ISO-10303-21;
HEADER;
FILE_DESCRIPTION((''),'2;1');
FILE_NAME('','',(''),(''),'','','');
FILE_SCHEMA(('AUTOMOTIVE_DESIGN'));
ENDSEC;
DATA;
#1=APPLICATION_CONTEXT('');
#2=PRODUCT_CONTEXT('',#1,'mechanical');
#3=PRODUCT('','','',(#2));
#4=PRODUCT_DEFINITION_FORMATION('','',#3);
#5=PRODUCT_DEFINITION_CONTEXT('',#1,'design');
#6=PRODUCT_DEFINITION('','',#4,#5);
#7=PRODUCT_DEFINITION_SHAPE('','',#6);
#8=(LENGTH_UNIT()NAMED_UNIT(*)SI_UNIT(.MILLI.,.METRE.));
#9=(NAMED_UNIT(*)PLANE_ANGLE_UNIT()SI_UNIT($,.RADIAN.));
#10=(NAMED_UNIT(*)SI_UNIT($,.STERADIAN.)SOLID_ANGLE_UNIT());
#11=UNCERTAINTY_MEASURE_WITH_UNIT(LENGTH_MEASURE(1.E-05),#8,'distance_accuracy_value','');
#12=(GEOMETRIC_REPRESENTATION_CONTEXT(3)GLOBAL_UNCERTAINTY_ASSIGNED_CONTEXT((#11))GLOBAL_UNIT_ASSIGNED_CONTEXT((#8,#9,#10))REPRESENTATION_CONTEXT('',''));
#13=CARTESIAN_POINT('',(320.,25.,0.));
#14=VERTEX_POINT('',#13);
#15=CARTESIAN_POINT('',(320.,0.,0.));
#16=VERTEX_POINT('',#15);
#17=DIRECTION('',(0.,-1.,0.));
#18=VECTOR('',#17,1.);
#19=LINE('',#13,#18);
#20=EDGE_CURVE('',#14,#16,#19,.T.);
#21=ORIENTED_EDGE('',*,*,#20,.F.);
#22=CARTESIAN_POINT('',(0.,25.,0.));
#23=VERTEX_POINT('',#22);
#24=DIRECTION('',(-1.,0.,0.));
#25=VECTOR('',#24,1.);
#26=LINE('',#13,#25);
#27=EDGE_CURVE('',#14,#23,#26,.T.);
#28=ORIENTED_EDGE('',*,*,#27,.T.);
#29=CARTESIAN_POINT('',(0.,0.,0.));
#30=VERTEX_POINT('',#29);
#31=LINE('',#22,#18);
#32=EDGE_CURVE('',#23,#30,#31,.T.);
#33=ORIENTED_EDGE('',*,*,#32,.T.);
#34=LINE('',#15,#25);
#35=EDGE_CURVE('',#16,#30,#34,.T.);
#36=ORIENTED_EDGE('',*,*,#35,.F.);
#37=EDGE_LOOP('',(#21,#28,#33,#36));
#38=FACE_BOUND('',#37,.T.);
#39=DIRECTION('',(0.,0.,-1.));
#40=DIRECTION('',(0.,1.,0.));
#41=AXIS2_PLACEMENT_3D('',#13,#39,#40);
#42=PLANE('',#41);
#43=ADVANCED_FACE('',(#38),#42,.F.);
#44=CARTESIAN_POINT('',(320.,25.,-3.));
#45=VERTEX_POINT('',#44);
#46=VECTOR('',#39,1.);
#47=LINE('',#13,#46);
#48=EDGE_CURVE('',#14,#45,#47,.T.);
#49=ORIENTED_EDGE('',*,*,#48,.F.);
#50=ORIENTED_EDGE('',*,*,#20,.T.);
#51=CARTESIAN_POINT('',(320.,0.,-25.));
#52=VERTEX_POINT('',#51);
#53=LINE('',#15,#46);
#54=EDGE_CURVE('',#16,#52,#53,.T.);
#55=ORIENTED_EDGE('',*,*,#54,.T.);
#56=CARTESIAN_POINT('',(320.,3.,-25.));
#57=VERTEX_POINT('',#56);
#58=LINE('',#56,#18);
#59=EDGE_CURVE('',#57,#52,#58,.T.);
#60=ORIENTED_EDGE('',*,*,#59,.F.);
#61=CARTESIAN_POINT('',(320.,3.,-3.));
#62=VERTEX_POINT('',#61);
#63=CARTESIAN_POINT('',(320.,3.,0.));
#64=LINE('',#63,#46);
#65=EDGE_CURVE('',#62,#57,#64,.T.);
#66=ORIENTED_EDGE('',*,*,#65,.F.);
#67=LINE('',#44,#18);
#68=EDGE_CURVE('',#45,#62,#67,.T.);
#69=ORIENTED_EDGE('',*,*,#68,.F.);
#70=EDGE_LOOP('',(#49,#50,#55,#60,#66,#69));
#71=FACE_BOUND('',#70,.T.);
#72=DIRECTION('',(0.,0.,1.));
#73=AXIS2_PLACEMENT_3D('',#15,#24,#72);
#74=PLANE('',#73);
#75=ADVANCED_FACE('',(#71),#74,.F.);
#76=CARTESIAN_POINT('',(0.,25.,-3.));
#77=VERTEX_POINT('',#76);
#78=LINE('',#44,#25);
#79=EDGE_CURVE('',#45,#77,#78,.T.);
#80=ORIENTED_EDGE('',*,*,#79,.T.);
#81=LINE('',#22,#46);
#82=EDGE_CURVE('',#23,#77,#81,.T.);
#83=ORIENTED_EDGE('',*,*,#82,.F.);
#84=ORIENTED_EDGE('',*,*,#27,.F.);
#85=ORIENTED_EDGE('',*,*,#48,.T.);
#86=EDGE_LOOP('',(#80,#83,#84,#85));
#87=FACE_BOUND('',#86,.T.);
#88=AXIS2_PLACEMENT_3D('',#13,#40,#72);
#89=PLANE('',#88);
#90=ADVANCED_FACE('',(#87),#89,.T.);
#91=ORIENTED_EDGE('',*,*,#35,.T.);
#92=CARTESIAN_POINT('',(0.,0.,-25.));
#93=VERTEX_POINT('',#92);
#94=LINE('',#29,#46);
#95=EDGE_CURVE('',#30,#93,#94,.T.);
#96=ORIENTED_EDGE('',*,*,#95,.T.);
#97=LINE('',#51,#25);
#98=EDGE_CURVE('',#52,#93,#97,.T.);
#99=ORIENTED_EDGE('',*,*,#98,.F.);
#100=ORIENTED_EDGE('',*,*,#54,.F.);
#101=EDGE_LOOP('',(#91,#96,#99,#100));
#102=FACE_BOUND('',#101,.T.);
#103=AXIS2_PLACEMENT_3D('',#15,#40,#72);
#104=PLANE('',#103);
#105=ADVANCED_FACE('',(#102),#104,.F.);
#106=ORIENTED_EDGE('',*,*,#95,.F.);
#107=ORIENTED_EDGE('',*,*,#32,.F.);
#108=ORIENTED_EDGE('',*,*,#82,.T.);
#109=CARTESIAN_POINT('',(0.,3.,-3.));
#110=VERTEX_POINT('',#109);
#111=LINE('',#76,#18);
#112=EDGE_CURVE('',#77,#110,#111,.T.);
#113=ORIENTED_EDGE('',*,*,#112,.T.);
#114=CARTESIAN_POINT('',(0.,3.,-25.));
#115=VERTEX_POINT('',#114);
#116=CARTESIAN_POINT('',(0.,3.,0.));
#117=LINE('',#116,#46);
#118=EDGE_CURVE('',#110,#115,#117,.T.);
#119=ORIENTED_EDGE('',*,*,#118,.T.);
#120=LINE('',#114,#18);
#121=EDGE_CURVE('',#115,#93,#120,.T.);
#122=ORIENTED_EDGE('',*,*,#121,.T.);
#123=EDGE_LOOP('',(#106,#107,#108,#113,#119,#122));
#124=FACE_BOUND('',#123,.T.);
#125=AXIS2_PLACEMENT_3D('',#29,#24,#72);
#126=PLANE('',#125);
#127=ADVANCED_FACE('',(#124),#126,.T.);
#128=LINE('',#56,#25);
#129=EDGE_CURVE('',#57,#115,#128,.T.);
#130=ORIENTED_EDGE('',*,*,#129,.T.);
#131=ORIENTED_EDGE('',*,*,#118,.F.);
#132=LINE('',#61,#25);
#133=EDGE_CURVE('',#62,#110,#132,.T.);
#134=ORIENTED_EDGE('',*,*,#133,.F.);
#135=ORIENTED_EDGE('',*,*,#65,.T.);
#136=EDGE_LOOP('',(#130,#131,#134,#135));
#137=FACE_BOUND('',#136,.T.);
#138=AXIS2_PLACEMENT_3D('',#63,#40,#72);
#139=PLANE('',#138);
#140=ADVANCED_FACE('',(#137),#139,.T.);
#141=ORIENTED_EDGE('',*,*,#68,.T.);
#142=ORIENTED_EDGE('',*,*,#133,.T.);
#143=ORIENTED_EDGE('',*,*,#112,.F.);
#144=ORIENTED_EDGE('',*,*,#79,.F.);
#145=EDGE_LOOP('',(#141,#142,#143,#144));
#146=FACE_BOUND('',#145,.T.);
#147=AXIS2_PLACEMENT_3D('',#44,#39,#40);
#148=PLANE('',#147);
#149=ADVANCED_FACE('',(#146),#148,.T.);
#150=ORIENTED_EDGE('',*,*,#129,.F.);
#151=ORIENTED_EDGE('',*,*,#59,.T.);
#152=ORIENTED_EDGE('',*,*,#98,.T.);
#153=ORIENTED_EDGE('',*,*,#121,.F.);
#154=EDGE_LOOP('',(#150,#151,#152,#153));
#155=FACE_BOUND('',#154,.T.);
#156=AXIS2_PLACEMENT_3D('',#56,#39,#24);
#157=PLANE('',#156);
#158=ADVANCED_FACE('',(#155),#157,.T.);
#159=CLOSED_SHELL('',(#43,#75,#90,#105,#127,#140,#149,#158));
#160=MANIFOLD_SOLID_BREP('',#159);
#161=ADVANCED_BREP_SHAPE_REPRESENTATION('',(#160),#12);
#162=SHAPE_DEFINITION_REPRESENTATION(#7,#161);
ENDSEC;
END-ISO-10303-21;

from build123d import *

# Parameters (mm, degrees)
EXTRUDE_1_DEPTH = 320


with BuildPart() as part:
    # Эскиз1 → Вытянуть-Тонкостенный1 (new body)
    with BuildSketch(Plane(origin=(0, 0, 0), x_dir=(0, 0, -1), z_dir=(1, 0, 0))):
        Polygon((0, 25), (0, 0), (25, 0), (25, 3), (3, 3), (3, 25), align=None)
    extrude(amount=EXTRUDE_1_DEPTH)


solid = part.part
